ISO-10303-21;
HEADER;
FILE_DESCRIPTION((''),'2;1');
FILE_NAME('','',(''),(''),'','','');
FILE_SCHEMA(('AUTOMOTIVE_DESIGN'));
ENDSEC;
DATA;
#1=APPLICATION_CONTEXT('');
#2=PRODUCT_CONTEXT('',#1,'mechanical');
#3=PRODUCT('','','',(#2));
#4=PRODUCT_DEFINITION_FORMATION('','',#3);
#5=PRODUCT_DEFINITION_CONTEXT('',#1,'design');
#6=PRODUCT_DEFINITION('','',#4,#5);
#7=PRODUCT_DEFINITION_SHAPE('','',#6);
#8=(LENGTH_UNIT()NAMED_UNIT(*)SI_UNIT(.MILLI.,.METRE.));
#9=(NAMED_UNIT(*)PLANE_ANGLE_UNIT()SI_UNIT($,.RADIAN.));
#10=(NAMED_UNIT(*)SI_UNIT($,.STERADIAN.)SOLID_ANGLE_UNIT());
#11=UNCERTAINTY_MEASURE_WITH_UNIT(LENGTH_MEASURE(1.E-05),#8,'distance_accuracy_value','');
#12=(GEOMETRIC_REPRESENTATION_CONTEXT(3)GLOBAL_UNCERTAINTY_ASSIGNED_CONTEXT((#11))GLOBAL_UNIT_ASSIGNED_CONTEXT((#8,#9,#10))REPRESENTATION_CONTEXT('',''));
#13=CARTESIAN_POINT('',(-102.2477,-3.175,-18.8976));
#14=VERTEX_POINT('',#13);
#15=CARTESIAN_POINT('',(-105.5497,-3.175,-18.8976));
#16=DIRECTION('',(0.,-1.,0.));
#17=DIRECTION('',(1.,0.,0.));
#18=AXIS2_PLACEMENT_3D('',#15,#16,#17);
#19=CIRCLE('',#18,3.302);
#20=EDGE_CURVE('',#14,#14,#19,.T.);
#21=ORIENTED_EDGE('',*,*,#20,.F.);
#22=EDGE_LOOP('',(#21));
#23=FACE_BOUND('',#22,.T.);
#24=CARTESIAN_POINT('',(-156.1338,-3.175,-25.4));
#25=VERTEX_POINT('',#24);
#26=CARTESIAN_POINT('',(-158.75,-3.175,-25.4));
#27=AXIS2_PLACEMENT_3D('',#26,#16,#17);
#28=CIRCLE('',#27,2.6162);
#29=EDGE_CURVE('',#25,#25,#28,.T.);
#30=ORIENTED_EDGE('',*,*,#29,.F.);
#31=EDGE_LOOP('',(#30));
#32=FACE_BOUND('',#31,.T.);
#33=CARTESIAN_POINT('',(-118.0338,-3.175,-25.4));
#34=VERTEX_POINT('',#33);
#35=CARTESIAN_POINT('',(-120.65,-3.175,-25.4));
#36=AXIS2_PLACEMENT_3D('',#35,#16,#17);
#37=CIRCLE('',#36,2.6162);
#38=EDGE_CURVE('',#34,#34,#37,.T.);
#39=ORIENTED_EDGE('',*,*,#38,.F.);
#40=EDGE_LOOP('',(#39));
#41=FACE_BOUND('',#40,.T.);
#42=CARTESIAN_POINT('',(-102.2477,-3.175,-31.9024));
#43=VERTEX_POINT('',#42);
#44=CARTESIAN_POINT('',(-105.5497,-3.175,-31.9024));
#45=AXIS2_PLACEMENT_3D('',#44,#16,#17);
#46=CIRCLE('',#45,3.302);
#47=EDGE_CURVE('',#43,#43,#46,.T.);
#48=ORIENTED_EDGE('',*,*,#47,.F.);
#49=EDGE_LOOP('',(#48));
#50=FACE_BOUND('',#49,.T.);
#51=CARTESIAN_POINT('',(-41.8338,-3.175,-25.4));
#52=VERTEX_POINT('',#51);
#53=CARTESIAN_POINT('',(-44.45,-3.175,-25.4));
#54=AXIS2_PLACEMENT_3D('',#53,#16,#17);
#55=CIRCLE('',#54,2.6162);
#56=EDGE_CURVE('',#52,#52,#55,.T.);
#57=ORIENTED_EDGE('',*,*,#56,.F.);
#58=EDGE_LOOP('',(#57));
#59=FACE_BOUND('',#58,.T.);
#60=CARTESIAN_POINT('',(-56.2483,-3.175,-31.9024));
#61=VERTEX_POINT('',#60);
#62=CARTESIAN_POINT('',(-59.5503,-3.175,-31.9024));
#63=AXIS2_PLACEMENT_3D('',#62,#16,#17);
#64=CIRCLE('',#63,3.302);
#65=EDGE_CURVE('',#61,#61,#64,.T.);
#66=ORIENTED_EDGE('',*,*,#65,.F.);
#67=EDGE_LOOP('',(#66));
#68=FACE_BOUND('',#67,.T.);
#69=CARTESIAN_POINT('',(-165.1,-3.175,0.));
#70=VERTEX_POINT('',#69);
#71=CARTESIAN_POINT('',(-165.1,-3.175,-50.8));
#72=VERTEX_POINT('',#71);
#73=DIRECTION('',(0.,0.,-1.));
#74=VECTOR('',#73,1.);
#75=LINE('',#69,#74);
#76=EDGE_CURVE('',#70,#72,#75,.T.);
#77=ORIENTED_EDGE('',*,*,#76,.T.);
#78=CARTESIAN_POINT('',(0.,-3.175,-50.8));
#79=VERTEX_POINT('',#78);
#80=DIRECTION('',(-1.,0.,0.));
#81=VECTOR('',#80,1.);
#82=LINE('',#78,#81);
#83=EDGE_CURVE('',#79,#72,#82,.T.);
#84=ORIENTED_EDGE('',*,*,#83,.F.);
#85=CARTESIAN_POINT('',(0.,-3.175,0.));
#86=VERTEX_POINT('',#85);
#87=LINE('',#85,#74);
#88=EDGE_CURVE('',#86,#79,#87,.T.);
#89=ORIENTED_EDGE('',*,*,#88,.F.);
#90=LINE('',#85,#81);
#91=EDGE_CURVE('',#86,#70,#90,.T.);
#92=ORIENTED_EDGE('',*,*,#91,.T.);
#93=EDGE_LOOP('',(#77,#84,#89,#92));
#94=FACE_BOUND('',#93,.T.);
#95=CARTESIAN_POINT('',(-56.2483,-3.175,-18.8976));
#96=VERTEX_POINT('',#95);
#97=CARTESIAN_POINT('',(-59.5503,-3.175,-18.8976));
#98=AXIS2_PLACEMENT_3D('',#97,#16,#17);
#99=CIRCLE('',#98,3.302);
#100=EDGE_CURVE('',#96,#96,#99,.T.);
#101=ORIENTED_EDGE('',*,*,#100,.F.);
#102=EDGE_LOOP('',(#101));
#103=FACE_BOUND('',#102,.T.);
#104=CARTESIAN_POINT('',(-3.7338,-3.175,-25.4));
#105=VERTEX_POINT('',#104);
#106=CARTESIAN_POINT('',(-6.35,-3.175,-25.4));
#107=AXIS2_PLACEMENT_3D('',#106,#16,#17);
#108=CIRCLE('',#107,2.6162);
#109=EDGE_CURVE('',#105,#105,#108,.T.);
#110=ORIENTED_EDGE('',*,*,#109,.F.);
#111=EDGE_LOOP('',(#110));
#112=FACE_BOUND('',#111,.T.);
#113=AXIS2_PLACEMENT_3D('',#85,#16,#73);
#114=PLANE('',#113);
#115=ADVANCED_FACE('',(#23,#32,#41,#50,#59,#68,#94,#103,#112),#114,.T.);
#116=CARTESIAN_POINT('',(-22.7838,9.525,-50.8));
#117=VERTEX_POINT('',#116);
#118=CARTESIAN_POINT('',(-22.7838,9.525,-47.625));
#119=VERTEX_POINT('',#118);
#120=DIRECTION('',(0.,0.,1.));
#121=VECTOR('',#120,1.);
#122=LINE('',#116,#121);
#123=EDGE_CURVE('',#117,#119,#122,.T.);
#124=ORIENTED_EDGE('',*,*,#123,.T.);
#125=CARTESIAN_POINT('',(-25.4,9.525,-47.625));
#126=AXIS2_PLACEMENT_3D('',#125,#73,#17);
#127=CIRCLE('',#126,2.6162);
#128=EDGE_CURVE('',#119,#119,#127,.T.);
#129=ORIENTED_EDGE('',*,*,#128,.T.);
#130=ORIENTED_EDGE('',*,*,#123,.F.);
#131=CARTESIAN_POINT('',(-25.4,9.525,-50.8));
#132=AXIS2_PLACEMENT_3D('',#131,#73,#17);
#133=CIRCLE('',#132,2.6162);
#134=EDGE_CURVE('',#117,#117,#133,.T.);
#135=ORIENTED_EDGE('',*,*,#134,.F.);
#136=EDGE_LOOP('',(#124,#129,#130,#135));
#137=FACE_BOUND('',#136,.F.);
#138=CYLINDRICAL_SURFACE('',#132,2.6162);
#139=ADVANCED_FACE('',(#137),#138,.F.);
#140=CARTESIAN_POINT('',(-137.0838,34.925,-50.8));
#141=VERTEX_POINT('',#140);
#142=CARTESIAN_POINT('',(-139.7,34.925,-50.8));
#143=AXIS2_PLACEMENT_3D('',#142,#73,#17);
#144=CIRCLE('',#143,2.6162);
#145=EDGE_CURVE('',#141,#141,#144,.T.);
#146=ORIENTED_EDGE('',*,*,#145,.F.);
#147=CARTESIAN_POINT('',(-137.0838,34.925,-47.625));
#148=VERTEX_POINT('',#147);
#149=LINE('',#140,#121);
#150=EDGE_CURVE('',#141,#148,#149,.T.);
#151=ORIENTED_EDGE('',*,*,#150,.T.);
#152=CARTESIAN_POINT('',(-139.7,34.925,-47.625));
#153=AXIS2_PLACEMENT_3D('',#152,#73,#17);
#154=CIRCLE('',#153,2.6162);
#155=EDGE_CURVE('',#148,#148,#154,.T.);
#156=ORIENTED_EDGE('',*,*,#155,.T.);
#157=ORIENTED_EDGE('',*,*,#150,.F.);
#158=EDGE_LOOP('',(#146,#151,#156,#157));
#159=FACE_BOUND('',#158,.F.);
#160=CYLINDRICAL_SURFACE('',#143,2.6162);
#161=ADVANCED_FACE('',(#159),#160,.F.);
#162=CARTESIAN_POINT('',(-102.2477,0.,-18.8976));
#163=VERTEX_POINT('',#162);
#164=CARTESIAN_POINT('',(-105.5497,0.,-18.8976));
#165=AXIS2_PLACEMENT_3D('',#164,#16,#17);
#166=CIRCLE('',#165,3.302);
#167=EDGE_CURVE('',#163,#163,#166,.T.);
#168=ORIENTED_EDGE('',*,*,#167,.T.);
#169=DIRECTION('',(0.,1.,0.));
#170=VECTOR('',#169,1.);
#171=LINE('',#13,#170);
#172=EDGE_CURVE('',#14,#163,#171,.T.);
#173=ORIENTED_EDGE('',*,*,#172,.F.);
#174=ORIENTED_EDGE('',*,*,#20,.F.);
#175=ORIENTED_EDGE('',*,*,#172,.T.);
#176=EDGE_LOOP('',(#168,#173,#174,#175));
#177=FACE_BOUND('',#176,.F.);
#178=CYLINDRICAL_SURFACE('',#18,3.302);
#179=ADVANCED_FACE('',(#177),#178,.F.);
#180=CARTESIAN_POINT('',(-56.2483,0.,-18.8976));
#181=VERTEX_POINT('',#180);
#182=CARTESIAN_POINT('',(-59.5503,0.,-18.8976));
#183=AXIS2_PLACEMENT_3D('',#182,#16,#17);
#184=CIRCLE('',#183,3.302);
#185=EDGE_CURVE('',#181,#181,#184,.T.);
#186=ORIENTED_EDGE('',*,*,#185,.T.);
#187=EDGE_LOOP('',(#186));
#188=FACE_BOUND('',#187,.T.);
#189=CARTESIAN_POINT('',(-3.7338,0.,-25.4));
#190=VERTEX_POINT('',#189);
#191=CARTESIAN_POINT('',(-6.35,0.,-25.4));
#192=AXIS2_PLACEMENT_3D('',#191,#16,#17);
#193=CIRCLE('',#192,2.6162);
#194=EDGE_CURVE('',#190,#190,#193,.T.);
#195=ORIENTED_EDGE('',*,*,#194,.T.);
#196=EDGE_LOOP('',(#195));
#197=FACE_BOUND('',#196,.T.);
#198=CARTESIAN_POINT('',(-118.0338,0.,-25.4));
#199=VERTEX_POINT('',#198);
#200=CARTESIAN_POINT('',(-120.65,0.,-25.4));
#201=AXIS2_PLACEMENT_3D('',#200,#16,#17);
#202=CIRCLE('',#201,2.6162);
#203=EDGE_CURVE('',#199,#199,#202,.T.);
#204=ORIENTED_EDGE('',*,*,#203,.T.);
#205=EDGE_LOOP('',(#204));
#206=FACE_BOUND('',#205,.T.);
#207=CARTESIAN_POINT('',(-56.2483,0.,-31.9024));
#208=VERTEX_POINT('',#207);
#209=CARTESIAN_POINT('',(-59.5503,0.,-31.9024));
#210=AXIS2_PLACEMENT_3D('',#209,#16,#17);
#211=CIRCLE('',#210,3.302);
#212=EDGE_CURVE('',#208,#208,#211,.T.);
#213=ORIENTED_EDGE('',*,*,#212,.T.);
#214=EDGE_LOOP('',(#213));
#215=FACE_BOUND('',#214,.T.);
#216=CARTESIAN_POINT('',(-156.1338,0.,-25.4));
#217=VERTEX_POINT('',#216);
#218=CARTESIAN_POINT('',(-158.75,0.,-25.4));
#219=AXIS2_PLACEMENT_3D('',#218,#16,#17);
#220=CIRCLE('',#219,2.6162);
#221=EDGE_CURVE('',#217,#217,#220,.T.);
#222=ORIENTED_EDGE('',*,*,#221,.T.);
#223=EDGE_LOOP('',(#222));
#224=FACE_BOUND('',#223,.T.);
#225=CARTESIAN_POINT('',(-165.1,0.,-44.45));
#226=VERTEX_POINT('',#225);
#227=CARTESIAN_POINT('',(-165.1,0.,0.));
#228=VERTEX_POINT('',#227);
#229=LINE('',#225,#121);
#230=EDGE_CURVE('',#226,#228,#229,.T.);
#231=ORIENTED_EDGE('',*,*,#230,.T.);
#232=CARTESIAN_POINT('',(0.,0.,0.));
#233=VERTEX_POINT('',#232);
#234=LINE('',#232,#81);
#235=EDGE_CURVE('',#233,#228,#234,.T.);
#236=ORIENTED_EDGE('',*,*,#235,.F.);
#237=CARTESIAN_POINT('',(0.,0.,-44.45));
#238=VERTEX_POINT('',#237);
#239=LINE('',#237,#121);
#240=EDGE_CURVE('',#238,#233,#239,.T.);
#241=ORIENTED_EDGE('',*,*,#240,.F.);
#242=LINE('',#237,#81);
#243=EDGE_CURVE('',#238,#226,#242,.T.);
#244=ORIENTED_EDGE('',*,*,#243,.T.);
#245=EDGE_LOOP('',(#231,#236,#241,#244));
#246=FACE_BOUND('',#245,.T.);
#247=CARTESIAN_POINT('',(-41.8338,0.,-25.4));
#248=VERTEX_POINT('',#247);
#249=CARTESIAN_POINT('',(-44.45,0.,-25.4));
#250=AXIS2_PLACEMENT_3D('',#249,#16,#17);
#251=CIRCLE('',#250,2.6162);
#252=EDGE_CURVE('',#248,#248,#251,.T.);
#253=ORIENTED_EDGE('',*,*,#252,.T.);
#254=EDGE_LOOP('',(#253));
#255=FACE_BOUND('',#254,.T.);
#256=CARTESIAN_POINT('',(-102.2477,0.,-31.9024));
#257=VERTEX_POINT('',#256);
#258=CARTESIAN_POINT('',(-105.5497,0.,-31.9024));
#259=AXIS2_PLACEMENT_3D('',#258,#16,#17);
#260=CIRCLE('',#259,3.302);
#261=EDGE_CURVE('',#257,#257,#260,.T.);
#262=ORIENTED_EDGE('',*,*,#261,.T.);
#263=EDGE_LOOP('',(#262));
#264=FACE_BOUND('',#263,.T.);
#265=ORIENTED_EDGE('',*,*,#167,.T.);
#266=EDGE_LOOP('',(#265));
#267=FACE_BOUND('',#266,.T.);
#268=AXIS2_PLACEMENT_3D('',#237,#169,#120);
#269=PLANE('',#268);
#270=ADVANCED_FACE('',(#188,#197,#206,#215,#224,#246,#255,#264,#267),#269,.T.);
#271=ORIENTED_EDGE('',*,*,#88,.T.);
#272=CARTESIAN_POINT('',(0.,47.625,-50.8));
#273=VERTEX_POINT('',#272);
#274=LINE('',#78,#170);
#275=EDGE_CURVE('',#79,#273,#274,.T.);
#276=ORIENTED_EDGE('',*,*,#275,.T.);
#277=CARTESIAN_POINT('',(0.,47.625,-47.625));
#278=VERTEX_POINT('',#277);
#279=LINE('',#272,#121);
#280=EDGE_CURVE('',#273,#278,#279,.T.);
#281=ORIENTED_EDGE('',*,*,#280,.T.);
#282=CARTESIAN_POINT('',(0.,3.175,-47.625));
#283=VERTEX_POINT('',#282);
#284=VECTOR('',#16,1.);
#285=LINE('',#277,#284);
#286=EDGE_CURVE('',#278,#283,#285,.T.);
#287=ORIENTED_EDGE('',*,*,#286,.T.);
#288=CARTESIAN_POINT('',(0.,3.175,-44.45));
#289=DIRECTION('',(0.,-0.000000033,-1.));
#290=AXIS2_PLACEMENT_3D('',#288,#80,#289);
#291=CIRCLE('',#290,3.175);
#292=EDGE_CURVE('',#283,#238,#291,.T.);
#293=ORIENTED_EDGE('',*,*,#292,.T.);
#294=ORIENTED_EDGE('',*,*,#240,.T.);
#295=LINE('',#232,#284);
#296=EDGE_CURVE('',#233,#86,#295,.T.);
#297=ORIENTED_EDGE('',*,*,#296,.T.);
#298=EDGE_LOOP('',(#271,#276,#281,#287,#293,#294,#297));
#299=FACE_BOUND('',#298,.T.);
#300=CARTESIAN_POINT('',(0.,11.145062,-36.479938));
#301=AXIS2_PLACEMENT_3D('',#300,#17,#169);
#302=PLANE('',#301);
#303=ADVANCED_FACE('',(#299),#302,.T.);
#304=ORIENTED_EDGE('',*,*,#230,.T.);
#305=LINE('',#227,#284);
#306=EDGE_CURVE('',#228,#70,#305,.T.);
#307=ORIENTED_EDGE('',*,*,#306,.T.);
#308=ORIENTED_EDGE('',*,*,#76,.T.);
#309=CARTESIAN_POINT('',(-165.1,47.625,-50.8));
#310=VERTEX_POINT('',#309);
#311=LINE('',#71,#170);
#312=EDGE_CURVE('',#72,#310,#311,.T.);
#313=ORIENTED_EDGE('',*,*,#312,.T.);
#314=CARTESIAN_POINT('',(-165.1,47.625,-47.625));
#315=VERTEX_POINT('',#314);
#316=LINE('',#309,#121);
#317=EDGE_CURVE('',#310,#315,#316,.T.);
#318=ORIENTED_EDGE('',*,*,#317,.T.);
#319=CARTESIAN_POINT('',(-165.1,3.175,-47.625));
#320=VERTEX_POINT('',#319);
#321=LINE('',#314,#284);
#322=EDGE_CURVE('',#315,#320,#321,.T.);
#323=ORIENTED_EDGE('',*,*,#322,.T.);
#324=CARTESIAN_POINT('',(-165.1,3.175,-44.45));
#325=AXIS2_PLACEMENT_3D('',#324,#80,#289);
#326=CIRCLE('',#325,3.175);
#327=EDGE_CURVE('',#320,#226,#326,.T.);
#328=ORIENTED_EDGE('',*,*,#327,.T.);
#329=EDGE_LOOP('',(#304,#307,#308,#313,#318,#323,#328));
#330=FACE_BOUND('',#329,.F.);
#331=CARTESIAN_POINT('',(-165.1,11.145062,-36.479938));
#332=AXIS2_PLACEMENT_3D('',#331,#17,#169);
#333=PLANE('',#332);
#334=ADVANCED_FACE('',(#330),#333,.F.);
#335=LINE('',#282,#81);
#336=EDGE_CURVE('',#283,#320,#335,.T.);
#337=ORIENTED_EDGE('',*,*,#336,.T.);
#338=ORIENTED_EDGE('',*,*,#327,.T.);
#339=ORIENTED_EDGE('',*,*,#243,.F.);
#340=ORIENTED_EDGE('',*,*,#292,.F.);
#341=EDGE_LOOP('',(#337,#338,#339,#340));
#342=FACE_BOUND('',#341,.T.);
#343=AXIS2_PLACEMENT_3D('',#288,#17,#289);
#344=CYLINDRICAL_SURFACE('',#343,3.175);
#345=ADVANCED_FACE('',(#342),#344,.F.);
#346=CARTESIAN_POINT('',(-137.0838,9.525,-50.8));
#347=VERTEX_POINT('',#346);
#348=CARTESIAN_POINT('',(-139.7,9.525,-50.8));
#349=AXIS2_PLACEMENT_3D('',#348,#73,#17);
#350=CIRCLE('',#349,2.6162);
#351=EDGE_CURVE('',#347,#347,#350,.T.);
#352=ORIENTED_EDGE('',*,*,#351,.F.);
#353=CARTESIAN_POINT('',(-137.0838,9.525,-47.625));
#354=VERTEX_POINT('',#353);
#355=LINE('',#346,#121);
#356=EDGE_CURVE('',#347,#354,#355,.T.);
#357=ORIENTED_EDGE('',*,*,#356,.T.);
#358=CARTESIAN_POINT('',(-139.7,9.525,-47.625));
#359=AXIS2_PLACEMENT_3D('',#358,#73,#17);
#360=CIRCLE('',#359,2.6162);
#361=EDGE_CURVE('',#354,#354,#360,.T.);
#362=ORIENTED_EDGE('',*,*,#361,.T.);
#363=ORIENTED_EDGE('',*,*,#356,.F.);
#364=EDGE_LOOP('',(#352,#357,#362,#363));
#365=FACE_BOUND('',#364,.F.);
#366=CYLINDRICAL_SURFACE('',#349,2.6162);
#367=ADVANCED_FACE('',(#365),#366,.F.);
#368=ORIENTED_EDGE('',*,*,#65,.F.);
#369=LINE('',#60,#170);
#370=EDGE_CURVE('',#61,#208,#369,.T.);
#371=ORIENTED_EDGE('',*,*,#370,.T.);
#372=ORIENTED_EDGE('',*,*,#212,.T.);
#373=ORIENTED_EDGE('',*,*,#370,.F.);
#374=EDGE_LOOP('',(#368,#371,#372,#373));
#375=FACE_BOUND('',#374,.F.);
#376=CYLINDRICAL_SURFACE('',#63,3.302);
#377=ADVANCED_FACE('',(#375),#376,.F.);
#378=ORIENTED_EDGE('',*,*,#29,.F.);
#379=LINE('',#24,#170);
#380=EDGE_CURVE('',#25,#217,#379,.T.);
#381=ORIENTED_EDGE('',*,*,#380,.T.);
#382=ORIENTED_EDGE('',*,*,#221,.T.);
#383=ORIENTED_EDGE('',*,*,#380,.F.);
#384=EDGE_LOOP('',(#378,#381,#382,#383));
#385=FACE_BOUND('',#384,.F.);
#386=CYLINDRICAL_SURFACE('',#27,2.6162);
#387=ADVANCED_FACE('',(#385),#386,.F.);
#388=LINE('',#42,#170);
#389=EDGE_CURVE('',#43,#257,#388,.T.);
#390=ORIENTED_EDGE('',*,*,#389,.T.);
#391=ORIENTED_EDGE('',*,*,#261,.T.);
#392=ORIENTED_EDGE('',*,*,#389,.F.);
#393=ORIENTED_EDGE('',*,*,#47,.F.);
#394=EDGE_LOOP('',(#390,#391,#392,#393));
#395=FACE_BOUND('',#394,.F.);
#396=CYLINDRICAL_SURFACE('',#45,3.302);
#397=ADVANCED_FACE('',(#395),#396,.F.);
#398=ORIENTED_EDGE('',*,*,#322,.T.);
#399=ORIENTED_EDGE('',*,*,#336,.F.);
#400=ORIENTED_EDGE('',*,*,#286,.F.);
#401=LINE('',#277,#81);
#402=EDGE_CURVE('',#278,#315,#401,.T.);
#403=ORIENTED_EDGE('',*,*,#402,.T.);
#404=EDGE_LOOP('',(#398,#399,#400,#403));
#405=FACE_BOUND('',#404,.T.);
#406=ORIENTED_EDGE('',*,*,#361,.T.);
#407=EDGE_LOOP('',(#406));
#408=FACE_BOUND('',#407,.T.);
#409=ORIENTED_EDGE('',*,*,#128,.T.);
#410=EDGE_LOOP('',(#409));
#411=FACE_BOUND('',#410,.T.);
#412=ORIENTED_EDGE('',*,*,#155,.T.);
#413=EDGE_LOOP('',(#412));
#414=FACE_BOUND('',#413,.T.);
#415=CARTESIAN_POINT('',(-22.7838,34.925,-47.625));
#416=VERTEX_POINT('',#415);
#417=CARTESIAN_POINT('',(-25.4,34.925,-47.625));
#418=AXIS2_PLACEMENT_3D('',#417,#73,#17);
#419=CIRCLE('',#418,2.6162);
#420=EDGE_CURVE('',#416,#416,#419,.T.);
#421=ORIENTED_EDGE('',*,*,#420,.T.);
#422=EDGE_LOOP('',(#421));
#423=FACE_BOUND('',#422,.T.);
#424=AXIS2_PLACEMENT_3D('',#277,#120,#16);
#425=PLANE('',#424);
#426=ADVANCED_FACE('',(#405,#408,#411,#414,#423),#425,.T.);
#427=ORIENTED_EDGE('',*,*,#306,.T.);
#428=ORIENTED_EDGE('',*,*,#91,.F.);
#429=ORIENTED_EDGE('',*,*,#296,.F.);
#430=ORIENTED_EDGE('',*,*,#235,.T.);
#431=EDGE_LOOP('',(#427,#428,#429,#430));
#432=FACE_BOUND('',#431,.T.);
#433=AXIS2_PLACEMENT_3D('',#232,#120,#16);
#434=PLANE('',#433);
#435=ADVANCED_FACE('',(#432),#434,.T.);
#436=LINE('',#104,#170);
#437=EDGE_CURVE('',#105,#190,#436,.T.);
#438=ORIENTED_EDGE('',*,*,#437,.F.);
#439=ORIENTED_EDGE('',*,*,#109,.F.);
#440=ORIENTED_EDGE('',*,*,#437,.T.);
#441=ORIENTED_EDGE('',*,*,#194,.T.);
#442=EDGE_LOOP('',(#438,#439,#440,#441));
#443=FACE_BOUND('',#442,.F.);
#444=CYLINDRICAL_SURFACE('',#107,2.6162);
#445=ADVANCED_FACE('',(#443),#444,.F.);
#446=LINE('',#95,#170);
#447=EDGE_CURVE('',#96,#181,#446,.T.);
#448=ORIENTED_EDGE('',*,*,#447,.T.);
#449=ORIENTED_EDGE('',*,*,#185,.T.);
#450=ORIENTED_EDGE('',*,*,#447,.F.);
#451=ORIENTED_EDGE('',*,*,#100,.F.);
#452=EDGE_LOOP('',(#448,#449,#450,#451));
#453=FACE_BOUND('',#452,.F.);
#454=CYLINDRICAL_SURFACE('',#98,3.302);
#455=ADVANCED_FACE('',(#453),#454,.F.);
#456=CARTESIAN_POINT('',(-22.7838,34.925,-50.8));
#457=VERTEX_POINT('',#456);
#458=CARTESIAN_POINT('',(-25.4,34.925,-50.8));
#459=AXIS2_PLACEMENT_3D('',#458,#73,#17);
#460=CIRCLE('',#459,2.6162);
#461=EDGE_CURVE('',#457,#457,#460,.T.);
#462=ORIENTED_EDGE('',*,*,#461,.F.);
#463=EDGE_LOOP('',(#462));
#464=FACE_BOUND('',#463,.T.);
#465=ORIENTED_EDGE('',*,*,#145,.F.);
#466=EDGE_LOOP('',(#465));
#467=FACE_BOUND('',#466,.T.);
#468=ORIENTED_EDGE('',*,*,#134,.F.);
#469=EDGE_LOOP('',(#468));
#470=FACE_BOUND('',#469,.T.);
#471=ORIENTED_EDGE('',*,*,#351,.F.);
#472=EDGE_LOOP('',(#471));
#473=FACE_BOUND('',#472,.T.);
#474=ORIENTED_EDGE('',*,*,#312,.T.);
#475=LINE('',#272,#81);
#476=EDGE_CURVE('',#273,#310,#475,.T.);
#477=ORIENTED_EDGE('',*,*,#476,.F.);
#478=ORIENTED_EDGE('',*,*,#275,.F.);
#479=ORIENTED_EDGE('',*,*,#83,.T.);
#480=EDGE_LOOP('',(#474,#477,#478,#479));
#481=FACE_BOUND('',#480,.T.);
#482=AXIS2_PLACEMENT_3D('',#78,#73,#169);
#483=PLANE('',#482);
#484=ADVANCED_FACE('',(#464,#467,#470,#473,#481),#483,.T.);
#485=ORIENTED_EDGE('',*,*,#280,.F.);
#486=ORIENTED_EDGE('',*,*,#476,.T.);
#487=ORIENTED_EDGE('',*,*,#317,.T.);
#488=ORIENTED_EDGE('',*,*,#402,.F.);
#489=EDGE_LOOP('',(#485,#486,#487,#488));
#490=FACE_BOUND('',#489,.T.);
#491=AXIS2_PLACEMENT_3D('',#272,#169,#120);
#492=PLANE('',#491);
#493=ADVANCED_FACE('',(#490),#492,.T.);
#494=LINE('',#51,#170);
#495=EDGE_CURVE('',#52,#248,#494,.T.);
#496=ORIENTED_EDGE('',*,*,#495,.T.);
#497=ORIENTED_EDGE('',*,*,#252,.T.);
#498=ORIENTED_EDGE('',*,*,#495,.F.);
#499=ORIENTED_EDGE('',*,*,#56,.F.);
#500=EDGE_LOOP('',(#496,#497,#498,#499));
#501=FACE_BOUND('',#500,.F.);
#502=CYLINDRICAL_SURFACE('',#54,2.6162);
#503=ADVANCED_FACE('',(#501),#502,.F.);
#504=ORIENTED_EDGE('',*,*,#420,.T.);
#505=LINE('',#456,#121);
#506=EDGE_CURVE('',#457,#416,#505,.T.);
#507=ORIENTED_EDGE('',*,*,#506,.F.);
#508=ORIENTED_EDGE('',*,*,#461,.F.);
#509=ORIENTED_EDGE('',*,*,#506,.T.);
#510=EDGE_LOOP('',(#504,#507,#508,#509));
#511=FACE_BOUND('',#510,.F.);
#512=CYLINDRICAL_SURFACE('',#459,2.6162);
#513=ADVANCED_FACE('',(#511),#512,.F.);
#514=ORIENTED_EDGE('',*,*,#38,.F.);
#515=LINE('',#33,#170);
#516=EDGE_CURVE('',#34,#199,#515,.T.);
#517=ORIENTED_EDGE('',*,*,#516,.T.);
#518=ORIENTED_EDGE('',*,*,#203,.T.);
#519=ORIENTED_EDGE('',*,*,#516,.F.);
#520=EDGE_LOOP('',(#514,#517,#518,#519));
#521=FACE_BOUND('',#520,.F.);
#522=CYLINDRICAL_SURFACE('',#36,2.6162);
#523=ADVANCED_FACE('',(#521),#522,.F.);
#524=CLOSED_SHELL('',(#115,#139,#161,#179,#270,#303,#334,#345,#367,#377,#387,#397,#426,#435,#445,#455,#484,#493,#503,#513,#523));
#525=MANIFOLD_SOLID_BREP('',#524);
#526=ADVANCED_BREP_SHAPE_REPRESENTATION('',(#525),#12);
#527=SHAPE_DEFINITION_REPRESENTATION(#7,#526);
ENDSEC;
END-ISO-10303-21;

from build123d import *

# Parameters (mm, degrees)
F1_DEPTH = 165.1
F2_R     = 2.6162
F2_R_2   = 3.302
F3_DEPTH = 50.801
F4_R     = 2.6162
F5_DEPTH = 25.4


with BuildPart() as f1:
    # F0 (on Right) → F1 (new body)
    with BuildSketch(Plane.YZ):
        with BuildLine():
            Line((0, -44.45), (0, 0))
            Line((0, 0), (-3.175, 0))
            Line((-3.175, 0), (-3.175, -50.8))
            Line((-3.175, -50.8), (47.625, -50.8))
            Line((47.625, -50.8), (47.625, -47.625))
            Line((47.625, -47.625), (3.175, -47.625))
            ThreePointArc((3.175, -47.625), (0.929936, -46.695064), (0, -44.45))
        make_face()
    extrude(amount=-F1_DEPTH)

    # F2 (on face) → F3 (cut, through all)
    with BuildSketch(Plane.XZ.offset(3.175)):
        with Locations((-158.75, -25.4)):
            Circle(F2_R)
        with Locations((-120.65, -25.4)):
            Circle(F2_R)
        with Locations((-44.45, -25.4)):
            Circle(F2_R)
        with Locations((-6.35, -25.4)):
            Circle(F2_R)
        with Locations((-59.5503, -31.9024)):
            Circle(F2_R_2)
        with Locations((-105.5497, -31.9024)):
            Circle(F2_R_2)
        with Locations((-59.5503, -18.8976)):
            Circle(F2_R_2)
        with Locations((-105.5497, -18.8976)):
            Circle(F2_R_2)
    extrude(amount=-F3_DEPTH, mode=Mode.SUBTRACT)

    # F4 (on face) → F5 (cut)
    with BuildSketch(Plane(origin=(0, 0, -50.8), x_dir=(1, 0, 0), z_dir=(0, 0, -1))):
        with Locations((-25.4, -34.925)):
            Circle(F4_R)
        with Locations((-25.4, -9.525)):
            Circle(F4_R)
        with Locations((-139.7, -34.925)):
            Circle(F4_R)
        with Locations((-139.7, -9.525)):
            Circle(F4_R)
    extrude(amount=-F5_DEPTH, mode=Mode.SUBTRACT)


solid = f1.part
